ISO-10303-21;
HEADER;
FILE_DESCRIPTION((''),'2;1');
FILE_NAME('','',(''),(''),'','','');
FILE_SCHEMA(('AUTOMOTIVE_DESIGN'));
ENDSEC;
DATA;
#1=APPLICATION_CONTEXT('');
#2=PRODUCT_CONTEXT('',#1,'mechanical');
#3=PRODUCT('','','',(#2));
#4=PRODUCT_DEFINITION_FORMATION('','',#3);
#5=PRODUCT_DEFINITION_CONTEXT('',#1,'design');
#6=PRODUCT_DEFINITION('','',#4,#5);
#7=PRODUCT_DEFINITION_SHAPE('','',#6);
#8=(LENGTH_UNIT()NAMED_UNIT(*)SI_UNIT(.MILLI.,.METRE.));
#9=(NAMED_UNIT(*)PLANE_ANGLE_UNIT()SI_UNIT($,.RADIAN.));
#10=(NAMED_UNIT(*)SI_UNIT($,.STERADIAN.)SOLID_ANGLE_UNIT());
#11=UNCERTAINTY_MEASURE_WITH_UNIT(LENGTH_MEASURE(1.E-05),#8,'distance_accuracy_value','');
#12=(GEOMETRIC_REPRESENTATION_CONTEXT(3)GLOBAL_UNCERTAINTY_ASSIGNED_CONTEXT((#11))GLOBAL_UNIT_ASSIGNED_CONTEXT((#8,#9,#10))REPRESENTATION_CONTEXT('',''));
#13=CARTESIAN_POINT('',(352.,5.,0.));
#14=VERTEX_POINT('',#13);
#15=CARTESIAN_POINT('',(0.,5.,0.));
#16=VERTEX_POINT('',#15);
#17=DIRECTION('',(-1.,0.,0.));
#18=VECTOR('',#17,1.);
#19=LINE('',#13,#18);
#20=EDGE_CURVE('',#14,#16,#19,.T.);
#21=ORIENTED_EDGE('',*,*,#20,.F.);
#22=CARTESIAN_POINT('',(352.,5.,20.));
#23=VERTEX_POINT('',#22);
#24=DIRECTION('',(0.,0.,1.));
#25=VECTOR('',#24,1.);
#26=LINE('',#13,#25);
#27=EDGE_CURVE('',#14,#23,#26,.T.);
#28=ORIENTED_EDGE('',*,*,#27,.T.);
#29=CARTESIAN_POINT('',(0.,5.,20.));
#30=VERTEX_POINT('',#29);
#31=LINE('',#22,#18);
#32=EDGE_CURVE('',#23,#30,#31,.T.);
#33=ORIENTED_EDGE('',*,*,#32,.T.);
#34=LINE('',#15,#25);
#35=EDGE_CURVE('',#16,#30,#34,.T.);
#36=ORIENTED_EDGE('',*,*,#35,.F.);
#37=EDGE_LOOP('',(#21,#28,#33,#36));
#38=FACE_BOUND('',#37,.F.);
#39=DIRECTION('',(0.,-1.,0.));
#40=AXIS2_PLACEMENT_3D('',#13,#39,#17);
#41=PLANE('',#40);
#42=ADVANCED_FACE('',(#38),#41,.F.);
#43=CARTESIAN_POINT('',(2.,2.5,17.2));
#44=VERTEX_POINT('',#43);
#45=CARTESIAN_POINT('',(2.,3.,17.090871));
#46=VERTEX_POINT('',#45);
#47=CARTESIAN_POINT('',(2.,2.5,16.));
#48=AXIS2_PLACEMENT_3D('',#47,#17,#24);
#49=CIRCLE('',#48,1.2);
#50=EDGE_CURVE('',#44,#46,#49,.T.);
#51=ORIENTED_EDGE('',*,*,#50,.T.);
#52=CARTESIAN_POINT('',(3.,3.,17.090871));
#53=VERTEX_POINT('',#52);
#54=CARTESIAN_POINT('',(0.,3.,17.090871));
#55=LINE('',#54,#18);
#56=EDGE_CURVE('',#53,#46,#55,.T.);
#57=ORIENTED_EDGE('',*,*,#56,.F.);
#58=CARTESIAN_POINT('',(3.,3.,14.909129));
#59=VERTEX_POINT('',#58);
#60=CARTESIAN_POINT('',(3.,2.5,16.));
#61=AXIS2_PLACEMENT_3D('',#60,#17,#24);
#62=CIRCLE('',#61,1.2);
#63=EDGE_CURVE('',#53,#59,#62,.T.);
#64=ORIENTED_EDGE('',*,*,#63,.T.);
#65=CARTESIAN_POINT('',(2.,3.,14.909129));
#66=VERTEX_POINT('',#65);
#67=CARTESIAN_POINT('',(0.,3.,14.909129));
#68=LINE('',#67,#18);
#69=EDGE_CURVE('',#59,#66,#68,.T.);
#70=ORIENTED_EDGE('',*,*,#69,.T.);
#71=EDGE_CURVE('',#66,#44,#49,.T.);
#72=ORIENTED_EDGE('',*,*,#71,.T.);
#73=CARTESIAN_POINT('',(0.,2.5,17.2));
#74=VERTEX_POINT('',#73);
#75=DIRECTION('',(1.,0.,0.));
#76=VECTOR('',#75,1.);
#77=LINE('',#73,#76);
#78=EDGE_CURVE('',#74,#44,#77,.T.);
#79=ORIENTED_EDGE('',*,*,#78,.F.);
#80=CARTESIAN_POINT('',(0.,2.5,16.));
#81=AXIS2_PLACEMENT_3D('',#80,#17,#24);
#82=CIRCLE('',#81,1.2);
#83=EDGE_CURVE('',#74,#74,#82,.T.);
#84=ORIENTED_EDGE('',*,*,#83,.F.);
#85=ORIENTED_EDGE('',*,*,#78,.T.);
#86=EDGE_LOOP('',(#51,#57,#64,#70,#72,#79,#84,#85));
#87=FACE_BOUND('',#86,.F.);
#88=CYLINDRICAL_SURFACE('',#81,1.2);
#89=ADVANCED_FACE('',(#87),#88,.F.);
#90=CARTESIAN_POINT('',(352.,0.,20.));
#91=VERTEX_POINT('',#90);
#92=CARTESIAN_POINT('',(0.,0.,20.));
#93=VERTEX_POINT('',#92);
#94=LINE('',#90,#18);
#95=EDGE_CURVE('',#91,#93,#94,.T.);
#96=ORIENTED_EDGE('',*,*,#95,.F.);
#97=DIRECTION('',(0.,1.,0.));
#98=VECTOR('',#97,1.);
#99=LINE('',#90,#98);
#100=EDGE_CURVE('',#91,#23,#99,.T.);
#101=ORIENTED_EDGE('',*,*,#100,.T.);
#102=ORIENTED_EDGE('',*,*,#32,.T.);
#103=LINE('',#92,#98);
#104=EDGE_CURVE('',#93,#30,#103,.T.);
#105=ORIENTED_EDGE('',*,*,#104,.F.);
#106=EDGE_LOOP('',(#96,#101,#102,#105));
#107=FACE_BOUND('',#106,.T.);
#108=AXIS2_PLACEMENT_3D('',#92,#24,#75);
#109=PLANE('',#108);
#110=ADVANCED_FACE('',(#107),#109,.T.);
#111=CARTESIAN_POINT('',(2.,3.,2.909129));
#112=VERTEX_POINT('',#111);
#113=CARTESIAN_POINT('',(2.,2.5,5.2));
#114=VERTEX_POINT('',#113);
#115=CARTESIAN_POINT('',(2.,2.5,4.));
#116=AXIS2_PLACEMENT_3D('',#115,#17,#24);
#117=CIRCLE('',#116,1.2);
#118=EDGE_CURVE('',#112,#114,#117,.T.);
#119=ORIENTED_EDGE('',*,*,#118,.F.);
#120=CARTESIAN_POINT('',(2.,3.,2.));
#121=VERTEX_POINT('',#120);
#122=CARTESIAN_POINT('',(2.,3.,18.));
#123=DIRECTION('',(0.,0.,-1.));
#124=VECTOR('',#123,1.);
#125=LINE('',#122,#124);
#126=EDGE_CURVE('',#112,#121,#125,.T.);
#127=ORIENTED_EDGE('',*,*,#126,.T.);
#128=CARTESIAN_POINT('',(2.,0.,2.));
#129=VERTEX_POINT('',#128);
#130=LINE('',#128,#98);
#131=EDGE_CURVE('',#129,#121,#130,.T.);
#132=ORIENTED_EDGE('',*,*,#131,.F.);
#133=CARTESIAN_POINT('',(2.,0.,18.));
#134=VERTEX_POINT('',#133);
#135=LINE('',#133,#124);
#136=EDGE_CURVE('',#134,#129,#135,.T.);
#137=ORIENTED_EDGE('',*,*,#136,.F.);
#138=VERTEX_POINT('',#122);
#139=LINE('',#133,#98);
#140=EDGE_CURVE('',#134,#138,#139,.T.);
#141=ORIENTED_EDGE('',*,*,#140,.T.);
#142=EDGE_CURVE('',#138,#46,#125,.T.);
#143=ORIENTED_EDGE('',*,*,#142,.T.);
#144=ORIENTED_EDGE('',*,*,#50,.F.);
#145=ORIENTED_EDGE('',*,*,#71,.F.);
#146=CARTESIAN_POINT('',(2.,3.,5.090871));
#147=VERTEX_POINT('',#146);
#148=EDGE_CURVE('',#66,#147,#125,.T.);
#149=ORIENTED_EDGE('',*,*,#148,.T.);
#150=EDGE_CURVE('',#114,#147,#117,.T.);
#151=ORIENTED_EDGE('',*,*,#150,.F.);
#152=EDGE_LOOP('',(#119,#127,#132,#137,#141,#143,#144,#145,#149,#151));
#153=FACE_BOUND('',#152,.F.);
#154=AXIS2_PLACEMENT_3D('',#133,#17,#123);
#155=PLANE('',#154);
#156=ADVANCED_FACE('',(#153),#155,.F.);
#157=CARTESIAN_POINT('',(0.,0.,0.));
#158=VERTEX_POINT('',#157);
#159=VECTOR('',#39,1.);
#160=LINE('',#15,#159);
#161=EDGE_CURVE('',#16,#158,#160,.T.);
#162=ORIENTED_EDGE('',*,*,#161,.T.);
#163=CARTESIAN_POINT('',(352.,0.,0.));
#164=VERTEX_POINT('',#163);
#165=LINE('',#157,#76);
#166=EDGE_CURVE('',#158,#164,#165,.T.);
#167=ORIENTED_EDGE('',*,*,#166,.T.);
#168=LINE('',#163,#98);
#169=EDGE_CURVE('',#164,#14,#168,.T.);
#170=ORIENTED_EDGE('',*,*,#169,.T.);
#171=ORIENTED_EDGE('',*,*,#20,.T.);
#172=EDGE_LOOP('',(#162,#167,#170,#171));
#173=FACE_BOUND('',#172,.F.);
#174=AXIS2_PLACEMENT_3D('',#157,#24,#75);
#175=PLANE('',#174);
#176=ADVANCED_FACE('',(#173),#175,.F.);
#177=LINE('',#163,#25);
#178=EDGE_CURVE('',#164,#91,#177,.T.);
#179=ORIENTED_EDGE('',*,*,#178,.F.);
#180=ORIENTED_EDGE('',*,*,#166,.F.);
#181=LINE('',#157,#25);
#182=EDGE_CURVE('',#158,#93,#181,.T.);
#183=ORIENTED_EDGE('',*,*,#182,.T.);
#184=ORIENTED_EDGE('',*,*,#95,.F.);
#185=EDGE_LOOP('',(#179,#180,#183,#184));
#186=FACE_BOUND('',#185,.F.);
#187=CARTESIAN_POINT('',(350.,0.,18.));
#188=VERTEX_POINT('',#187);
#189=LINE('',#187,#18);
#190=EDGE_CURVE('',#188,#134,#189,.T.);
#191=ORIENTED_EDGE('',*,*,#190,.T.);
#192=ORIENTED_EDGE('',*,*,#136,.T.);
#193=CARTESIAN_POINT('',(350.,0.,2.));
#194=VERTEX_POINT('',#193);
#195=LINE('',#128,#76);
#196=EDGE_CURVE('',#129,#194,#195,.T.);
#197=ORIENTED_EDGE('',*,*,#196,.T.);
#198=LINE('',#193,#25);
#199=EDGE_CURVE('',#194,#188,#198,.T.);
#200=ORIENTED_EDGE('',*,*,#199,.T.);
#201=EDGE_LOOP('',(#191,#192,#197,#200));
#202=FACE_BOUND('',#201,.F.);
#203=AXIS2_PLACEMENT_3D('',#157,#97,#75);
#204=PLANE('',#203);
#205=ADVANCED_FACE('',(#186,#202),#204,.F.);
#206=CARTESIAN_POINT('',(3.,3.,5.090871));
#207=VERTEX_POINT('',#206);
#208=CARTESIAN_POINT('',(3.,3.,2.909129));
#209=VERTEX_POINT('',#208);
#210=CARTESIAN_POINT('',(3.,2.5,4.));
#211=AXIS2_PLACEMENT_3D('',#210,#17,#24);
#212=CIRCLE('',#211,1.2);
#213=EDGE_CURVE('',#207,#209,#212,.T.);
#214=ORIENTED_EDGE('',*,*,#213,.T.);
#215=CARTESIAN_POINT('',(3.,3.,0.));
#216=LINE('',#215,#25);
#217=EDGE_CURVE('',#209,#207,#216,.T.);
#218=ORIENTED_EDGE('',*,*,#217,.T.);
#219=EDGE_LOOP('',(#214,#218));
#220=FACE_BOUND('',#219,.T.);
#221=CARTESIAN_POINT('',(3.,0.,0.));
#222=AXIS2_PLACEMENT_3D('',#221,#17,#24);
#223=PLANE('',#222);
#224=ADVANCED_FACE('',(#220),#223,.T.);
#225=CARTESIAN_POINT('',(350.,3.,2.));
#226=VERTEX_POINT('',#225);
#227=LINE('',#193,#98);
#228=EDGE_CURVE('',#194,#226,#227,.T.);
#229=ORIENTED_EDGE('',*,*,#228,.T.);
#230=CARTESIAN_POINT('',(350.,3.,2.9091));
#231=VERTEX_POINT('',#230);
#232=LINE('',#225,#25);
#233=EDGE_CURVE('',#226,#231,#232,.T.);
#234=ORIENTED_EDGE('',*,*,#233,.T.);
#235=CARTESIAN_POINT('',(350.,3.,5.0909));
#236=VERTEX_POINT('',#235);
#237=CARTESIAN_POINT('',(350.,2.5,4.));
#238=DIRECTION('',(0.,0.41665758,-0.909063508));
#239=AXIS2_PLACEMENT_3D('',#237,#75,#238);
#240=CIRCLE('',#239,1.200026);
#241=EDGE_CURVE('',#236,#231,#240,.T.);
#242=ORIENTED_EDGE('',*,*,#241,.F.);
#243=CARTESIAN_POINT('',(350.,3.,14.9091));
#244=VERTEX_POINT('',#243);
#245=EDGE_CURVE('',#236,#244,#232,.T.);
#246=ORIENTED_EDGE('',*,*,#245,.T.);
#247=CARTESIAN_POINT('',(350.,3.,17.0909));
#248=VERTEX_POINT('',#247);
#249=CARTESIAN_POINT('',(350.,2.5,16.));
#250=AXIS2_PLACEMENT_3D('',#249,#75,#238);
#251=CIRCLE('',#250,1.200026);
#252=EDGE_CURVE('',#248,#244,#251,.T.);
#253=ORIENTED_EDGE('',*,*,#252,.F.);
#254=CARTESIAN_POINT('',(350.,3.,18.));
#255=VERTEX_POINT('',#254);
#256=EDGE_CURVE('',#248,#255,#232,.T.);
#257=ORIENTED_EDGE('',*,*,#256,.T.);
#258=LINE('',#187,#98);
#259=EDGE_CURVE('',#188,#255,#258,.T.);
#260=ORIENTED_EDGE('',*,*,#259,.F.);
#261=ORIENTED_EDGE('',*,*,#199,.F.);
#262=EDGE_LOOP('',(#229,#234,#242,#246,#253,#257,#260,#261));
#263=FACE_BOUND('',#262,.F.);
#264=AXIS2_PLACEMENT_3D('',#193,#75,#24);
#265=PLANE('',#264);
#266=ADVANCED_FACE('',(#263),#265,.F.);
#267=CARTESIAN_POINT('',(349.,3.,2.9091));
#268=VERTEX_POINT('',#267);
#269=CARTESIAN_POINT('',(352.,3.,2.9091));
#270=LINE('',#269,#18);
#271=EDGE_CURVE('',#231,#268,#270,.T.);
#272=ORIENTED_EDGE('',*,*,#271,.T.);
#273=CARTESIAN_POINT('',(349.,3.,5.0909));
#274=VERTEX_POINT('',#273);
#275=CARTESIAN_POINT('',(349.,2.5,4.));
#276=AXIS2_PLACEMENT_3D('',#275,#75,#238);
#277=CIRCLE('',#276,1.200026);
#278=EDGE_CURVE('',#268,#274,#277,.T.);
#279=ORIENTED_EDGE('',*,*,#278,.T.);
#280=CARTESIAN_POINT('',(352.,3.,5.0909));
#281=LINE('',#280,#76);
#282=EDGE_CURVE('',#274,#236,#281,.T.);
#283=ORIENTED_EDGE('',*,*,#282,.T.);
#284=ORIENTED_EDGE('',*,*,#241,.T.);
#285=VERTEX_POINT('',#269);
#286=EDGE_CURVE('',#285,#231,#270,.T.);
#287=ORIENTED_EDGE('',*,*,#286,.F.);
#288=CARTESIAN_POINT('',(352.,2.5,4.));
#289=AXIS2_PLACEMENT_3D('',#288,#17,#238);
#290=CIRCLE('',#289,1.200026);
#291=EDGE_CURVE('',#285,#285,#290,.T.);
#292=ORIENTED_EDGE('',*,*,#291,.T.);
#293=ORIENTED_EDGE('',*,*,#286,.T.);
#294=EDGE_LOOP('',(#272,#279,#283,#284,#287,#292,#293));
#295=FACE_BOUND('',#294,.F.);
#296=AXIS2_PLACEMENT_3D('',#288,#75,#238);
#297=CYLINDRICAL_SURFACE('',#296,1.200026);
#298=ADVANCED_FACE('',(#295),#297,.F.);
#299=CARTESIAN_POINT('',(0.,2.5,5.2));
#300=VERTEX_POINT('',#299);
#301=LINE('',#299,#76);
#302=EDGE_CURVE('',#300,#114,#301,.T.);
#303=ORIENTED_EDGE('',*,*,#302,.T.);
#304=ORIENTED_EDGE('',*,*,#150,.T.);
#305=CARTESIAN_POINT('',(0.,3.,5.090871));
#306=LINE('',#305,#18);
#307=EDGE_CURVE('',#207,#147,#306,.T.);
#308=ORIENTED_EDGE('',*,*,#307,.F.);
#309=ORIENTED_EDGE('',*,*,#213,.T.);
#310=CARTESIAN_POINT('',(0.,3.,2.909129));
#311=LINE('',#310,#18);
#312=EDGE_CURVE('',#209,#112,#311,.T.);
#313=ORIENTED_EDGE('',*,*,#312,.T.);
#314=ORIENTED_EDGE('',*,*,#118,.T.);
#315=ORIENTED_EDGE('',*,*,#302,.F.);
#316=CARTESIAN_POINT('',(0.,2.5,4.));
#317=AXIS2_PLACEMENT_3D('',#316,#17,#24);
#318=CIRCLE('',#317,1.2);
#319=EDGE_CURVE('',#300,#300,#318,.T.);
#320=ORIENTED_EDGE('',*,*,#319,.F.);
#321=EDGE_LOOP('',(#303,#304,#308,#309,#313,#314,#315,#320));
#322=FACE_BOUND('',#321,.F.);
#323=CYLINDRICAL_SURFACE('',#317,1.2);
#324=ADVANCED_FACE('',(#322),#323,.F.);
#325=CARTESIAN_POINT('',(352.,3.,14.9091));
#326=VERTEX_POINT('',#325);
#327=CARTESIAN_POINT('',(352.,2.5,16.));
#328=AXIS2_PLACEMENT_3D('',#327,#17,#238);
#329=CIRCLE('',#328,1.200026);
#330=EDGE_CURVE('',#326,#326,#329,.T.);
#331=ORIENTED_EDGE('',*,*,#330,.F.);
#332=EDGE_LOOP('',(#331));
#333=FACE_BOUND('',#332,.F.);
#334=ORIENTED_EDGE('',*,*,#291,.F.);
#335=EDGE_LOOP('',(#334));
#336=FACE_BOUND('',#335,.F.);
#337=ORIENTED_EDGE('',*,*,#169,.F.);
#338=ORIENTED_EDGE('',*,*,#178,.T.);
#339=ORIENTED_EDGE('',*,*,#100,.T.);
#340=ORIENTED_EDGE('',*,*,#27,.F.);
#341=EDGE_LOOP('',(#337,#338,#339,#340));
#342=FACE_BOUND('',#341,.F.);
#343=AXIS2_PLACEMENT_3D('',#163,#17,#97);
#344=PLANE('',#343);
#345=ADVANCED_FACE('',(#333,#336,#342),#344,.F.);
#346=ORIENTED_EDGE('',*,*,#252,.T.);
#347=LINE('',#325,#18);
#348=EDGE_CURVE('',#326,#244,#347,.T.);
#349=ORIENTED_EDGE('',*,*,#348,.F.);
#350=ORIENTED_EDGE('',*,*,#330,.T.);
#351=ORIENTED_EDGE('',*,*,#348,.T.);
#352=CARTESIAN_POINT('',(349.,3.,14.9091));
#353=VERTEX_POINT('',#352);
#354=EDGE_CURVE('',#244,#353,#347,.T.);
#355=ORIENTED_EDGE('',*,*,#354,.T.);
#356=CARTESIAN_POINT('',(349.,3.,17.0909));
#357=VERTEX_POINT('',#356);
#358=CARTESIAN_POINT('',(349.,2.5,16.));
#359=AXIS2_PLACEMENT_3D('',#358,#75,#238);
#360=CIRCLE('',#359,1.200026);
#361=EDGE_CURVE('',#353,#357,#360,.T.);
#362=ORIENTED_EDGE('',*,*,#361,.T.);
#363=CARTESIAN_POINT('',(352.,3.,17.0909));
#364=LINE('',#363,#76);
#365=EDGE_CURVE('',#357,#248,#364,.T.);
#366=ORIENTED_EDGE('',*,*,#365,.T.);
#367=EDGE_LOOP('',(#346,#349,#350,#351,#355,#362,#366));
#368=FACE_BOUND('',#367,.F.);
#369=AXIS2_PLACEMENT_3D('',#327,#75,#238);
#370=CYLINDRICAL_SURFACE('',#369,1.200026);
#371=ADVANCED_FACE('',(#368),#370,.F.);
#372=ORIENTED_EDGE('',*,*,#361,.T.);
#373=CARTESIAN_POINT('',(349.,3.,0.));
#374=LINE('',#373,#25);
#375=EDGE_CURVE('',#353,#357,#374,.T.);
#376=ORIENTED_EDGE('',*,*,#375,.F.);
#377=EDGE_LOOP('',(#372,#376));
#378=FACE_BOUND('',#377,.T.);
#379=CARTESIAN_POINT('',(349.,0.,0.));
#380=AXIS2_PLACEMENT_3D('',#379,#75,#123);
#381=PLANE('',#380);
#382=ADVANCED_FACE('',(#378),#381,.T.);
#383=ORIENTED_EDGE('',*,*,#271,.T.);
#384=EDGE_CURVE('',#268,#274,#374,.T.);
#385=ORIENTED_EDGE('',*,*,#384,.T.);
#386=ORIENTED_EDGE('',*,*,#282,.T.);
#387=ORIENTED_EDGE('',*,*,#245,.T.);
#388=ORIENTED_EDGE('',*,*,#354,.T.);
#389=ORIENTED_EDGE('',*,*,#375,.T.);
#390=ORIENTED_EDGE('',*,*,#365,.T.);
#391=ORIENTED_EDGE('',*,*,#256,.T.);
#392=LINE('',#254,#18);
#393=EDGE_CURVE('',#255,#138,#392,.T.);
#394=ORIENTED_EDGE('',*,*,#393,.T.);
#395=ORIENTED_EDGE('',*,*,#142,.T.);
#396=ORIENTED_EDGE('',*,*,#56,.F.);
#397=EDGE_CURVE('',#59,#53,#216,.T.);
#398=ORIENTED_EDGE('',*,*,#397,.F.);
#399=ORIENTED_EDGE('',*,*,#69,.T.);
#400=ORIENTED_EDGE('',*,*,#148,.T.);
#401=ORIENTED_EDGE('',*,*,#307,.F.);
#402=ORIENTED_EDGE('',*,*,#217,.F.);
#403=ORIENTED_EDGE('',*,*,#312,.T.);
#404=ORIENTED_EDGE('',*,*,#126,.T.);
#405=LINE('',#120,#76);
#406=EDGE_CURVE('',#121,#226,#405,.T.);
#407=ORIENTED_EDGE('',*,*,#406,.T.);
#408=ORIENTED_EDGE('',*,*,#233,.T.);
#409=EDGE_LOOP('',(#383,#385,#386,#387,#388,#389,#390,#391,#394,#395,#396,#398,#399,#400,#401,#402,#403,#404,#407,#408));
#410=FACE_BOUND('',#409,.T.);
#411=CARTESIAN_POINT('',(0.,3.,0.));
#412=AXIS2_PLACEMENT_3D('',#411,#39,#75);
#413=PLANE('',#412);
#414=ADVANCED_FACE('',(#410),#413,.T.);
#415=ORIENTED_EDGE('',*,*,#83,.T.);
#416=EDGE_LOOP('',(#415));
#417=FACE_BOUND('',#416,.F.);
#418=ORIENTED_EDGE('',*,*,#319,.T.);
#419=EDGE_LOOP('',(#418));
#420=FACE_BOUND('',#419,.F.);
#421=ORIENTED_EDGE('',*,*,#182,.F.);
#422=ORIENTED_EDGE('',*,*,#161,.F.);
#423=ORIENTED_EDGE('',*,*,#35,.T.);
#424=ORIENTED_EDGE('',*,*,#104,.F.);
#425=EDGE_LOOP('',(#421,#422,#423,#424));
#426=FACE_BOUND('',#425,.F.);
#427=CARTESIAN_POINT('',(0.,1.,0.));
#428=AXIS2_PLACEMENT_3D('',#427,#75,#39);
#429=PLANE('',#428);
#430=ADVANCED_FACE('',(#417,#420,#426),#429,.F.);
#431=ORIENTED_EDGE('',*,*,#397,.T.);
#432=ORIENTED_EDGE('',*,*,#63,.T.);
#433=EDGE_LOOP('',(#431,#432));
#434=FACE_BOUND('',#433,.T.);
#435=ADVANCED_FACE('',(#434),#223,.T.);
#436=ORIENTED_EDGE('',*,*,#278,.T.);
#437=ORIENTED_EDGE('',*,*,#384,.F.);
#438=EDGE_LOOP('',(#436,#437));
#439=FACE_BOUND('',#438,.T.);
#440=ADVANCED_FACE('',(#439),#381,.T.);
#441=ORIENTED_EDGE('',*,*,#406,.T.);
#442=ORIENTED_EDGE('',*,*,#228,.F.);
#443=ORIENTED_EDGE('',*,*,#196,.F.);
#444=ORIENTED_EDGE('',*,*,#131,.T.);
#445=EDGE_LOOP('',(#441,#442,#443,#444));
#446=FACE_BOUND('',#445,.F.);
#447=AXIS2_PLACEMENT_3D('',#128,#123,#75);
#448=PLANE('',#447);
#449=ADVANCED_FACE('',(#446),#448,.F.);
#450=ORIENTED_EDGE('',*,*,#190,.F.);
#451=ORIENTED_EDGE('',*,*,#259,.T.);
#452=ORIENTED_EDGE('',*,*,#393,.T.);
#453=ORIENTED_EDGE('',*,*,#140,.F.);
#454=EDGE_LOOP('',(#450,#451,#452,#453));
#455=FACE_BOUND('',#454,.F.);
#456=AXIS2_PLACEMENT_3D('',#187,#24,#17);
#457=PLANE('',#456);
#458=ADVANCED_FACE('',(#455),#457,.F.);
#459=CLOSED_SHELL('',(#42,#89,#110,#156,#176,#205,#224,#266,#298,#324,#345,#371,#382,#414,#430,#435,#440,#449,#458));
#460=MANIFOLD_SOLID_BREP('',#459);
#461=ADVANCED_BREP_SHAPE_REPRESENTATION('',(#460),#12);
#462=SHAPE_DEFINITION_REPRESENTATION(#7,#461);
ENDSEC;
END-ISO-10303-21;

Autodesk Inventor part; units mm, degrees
ref_plane "YZ Plane" through (0, 0, 0) normal (1, 0, 0) x (0, 1, 0)
ref_plane "XZ Plane" through (0, 0, 0) normal (0, 1, 0) x (-1, 0, 0)
ref_plane "XY Plane" through (0, 0, 0) normal (0, 0, 1) x (1, 0, 0)
sketch "スケッチ1" plane through (0, 0, 0) normal (0, 0, 1) x (1, 0, 0)
  line L0 (0, 0) -> (352, 0)
  line L1 (352, 0) -> (352, 5)
  line L2 (352, 5) -> (0, 5)
  line L3 (0, 5) -> (0, 0)
  line L4 (0, 0) -> (6, 0)
  line L5 (0, 1) -> (0, 0)
  dimension "d0" = 352
  dimension "d1" = 5
extrude "押し出し1" add sketch "スケッチ1" along normal blind 20
sketch "スケッチ3" plane through (0, 0, 0) normal (-1, 0, 0) x (0, 0, 1)
  line L0 (0, 5) -> (0, 0) projected
  line L1 (0, 0) -> (20, 0) projected
  line L2 (20, 5) -> (20, 0) projected
  line L3 (0, 5) -> (20, 5) projected
  circle A0 centre (4, 2.5) radius 1.2
  circle A1 centre (16, 2.5) radius 1.2
  dimension "d14" = 2.4
  dimension "d15" = 2.4
  dimension "d16" = 2.5
  dimension "d17" = 4
  dimension "d18" = 4
  dimension "d19" = 2.5
extrude "押し出し3" cut sketch "スケッチ3" against normal blind 3 contours A0 | A1
sketch "スケッチ4" plane through (0, 0, 0) normal (0, -1, 0) x (1, 0, 0)
  line L0 (0, 0) -> (352, 0) projected
  line L1 (352, 0) -> (352, 20) projected
  line L2 (0, 20) -> (352, 20) projected
  line L3 (0, 0) -> (0, 20) projected
  line L4 (2, 2) -> (350, 2)
  line L5 (350, 2) -> (350, 18)
  line L6 (350, 18) -> (2, 18)
  line L7 (2, 18) -> (2, 2)
  dimension "d22" = 2
  dimension "d23" = 2
  dimension "d24" = 2
  dimension "d25" = 2
extrude "押し出し4" cut sketch "スケッチ4" against normal blind 3 contours L7 L6 L5 L4
sketch "スケッチ5" plane through (352, 0, 0) normal (1, 0, 0) x (0, 0, -1)
  arc A0 (-5.0909, 3) -> (-2.9091, 3) centre (-4, 2.5) ccw projected
  arc A1 (-2.9091, 3) -> (-5.0909, 3) centre (-4, 2.5) ccw projected
  arc A2 (-17.0909, 3) -> (-14.9091, 3) centre (-16, 2.5) ccw projected
  arc A3 (-14.9091, 3) -> (-17.0909, 3) centre (-16, 2.5) ccw projected
extrude "押し出し5" cut sketch "スケッチ5" against normal blind 3
properties part number "arm1_L" material "アルミニウム 6061"
